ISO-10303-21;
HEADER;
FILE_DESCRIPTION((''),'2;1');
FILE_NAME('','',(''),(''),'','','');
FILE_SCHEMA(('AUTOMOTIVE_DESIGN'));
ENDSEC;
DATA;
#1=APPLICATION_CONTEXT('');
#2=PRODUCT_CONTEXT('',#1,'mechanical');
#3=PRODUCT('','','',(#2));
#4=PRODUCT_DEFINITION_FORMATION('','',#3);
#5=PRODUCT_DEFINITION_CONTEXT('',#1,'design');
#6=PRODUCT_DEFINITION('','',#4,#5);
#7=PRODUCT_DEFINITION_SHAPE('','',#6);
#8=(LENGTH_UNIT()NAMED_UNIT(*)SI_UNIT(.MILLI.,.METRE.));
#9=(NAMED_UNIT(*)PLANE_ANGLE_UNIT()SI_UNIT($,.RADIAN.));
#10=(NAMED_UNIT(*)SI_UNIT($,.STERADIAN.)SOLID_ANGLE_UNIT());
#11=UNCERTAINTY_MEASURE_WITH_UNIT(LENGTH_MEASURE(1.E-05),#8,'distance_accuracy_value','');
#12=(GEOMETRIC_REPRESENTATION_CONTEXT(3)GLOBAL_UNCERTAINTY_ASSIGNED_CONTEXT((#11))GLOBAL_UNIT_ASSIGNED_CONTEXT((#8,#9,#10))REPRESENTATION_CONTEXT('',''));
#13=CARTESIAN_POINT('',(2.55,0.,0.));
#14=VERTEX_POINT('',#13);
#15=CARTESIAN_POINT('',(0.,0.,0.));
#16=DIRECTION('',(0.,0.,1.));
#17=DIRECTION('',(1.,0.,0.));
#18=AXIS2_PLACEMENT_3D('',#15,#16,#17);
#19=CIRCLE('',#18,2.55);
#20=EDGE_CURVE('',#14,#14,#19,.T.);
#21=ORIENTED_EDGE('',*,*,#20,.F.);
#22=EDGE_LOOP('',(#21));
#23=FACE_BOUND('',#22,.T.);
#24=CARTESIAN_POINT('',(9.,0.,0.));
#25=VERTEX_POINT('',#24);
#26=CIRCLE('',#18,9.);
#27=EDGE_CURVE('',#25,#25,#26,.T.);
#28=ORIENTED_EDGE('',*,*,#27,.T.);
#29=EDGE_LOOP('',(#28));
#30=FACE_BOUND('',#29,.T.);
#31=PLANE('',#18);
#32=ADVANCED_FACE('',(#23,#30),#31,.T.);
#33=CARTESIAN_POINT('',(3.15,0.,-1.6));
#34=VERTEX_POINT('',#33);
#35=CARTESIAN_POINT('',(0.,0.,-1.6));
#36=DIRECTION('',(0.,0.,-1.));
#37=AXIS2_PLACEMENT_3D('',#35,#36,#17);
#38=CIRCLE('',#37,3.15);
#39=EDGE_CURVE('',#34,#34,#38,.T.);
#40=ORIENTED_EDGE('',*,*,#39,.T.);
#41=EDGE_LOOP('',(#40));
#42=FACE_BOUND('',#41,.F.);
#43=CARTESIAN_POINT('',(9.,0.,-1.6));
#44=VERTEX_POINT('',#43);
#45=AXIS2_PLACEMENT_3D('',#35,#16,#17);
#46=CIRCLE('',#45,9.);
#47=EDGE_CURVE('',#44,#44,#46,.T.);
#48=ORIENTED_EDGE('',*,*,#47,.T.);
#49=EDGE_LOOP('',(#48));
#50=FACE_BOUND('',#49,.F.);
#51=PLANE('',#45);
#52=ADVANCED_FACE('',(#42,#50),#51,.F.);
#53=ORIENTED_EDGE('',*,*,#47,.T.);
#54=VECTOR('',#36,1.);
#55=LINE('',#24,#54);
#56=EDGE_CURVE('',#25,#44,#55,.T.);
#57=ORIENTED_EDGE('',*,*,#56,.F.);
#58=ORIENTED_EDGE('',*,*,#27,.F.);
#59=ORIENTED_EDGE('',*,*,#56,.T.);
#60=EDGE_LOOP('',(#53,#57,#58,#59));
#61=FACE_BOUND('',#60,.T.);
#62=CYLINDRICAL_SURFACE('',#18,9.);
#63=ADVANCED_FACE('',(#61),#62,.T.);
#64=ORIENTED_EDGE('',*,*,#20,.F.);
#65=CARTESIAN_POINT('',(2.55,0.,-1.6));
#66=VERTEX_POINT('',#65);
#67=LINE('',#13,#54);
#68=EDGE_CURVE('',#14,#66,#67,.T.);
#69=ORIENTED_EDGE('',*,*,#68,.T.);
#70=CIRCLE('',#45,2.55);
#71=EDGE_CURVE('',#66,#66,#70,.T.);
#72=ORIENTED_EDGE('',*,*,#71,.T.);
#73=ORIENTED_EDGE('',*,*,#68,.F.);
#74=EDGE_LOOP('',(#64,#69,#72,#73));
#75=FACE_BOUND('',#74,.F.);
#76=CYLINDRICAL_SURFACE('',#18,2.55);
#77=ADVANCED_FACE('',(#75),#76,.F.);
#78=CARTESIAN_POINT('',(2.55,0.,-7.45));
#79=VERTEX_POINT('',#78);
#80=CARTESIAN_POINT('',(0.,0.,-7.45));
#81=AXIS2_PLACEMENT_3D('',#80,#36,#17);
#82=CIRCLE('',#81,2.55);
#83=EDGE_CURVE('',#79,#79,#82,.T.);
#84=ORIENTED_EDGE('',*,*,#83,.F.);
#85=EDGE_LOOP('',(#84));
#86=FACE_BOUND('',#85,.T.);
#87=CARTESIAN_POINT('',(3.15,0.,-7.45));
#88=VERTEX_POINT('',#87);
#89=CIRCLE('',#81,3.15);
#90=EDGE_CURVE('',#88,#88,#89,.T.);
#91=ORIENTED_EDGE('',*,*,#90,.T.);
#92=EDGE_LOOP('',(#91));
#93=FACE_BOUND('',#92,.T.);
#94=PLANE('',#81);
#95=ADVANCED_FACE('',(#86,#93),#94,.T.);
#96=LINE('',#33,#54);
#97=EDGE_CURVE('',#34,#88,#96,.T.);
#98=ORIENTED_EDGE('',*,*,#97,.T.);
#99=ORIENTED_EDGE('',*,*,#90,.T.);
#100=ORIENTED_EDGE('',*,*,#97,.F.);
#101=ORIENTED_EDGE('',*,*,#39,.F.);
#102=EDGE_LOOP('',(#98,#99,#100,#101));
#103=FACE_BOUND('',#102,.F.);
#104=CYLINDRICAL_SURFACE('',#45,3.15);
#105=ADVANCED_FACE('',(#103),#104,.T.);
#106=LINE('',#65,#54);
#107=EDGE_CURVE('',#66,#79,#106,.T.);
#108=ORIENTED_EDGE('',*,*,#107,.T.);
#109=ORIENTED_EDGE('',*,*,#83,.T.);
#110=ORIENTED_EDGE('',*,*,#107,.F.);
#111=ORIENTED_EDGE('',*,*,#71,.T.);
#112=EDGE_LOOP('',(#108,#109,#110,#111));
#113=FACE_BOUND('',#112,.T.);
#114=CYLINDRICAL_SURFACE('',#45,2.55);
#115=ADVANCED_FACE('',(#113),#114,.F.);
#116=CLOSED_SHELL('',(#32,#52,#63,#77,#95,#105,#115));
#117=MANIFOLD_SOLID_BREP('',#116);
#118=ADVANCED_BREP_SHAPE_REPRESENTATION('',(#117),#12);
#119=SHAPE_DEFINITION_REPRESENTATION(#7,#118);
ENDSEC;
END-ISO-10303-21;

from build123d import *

# Parameters (mm, degrees)
SKETCH_R      = 9
SKETCH_R_2    = 2.55
PAD_DEPTH     = 1.6
SKETCH001_R   = 3.15
SKETCH001_R_2 = 2.55
PAD001_DEPTH  = 5.85


with BuildPart() as part:
    # Sketch → Pad (new body)
    with BuildSketch(Plane.XY):
        Circle(SKETCH_R)
        Circle(SKETCH_R_2, mode=Mode.SUBTRACT)
    extrude(amount=-PAD_DEPTH)

    # Sketch001 → Pad001 (new body)
    with BuildSketch(Plane(origin=(0, 0, -1.6), x_dir=(1, 0, 0), z_dir=(0, 0, -1))):
        Circle(SKETCH001_R)
        Circle(SKETCH001_R_2, mode=Mode.SUBTRACT)
    extrude(amount=PAD001_DEPTH)


solid = part.part
